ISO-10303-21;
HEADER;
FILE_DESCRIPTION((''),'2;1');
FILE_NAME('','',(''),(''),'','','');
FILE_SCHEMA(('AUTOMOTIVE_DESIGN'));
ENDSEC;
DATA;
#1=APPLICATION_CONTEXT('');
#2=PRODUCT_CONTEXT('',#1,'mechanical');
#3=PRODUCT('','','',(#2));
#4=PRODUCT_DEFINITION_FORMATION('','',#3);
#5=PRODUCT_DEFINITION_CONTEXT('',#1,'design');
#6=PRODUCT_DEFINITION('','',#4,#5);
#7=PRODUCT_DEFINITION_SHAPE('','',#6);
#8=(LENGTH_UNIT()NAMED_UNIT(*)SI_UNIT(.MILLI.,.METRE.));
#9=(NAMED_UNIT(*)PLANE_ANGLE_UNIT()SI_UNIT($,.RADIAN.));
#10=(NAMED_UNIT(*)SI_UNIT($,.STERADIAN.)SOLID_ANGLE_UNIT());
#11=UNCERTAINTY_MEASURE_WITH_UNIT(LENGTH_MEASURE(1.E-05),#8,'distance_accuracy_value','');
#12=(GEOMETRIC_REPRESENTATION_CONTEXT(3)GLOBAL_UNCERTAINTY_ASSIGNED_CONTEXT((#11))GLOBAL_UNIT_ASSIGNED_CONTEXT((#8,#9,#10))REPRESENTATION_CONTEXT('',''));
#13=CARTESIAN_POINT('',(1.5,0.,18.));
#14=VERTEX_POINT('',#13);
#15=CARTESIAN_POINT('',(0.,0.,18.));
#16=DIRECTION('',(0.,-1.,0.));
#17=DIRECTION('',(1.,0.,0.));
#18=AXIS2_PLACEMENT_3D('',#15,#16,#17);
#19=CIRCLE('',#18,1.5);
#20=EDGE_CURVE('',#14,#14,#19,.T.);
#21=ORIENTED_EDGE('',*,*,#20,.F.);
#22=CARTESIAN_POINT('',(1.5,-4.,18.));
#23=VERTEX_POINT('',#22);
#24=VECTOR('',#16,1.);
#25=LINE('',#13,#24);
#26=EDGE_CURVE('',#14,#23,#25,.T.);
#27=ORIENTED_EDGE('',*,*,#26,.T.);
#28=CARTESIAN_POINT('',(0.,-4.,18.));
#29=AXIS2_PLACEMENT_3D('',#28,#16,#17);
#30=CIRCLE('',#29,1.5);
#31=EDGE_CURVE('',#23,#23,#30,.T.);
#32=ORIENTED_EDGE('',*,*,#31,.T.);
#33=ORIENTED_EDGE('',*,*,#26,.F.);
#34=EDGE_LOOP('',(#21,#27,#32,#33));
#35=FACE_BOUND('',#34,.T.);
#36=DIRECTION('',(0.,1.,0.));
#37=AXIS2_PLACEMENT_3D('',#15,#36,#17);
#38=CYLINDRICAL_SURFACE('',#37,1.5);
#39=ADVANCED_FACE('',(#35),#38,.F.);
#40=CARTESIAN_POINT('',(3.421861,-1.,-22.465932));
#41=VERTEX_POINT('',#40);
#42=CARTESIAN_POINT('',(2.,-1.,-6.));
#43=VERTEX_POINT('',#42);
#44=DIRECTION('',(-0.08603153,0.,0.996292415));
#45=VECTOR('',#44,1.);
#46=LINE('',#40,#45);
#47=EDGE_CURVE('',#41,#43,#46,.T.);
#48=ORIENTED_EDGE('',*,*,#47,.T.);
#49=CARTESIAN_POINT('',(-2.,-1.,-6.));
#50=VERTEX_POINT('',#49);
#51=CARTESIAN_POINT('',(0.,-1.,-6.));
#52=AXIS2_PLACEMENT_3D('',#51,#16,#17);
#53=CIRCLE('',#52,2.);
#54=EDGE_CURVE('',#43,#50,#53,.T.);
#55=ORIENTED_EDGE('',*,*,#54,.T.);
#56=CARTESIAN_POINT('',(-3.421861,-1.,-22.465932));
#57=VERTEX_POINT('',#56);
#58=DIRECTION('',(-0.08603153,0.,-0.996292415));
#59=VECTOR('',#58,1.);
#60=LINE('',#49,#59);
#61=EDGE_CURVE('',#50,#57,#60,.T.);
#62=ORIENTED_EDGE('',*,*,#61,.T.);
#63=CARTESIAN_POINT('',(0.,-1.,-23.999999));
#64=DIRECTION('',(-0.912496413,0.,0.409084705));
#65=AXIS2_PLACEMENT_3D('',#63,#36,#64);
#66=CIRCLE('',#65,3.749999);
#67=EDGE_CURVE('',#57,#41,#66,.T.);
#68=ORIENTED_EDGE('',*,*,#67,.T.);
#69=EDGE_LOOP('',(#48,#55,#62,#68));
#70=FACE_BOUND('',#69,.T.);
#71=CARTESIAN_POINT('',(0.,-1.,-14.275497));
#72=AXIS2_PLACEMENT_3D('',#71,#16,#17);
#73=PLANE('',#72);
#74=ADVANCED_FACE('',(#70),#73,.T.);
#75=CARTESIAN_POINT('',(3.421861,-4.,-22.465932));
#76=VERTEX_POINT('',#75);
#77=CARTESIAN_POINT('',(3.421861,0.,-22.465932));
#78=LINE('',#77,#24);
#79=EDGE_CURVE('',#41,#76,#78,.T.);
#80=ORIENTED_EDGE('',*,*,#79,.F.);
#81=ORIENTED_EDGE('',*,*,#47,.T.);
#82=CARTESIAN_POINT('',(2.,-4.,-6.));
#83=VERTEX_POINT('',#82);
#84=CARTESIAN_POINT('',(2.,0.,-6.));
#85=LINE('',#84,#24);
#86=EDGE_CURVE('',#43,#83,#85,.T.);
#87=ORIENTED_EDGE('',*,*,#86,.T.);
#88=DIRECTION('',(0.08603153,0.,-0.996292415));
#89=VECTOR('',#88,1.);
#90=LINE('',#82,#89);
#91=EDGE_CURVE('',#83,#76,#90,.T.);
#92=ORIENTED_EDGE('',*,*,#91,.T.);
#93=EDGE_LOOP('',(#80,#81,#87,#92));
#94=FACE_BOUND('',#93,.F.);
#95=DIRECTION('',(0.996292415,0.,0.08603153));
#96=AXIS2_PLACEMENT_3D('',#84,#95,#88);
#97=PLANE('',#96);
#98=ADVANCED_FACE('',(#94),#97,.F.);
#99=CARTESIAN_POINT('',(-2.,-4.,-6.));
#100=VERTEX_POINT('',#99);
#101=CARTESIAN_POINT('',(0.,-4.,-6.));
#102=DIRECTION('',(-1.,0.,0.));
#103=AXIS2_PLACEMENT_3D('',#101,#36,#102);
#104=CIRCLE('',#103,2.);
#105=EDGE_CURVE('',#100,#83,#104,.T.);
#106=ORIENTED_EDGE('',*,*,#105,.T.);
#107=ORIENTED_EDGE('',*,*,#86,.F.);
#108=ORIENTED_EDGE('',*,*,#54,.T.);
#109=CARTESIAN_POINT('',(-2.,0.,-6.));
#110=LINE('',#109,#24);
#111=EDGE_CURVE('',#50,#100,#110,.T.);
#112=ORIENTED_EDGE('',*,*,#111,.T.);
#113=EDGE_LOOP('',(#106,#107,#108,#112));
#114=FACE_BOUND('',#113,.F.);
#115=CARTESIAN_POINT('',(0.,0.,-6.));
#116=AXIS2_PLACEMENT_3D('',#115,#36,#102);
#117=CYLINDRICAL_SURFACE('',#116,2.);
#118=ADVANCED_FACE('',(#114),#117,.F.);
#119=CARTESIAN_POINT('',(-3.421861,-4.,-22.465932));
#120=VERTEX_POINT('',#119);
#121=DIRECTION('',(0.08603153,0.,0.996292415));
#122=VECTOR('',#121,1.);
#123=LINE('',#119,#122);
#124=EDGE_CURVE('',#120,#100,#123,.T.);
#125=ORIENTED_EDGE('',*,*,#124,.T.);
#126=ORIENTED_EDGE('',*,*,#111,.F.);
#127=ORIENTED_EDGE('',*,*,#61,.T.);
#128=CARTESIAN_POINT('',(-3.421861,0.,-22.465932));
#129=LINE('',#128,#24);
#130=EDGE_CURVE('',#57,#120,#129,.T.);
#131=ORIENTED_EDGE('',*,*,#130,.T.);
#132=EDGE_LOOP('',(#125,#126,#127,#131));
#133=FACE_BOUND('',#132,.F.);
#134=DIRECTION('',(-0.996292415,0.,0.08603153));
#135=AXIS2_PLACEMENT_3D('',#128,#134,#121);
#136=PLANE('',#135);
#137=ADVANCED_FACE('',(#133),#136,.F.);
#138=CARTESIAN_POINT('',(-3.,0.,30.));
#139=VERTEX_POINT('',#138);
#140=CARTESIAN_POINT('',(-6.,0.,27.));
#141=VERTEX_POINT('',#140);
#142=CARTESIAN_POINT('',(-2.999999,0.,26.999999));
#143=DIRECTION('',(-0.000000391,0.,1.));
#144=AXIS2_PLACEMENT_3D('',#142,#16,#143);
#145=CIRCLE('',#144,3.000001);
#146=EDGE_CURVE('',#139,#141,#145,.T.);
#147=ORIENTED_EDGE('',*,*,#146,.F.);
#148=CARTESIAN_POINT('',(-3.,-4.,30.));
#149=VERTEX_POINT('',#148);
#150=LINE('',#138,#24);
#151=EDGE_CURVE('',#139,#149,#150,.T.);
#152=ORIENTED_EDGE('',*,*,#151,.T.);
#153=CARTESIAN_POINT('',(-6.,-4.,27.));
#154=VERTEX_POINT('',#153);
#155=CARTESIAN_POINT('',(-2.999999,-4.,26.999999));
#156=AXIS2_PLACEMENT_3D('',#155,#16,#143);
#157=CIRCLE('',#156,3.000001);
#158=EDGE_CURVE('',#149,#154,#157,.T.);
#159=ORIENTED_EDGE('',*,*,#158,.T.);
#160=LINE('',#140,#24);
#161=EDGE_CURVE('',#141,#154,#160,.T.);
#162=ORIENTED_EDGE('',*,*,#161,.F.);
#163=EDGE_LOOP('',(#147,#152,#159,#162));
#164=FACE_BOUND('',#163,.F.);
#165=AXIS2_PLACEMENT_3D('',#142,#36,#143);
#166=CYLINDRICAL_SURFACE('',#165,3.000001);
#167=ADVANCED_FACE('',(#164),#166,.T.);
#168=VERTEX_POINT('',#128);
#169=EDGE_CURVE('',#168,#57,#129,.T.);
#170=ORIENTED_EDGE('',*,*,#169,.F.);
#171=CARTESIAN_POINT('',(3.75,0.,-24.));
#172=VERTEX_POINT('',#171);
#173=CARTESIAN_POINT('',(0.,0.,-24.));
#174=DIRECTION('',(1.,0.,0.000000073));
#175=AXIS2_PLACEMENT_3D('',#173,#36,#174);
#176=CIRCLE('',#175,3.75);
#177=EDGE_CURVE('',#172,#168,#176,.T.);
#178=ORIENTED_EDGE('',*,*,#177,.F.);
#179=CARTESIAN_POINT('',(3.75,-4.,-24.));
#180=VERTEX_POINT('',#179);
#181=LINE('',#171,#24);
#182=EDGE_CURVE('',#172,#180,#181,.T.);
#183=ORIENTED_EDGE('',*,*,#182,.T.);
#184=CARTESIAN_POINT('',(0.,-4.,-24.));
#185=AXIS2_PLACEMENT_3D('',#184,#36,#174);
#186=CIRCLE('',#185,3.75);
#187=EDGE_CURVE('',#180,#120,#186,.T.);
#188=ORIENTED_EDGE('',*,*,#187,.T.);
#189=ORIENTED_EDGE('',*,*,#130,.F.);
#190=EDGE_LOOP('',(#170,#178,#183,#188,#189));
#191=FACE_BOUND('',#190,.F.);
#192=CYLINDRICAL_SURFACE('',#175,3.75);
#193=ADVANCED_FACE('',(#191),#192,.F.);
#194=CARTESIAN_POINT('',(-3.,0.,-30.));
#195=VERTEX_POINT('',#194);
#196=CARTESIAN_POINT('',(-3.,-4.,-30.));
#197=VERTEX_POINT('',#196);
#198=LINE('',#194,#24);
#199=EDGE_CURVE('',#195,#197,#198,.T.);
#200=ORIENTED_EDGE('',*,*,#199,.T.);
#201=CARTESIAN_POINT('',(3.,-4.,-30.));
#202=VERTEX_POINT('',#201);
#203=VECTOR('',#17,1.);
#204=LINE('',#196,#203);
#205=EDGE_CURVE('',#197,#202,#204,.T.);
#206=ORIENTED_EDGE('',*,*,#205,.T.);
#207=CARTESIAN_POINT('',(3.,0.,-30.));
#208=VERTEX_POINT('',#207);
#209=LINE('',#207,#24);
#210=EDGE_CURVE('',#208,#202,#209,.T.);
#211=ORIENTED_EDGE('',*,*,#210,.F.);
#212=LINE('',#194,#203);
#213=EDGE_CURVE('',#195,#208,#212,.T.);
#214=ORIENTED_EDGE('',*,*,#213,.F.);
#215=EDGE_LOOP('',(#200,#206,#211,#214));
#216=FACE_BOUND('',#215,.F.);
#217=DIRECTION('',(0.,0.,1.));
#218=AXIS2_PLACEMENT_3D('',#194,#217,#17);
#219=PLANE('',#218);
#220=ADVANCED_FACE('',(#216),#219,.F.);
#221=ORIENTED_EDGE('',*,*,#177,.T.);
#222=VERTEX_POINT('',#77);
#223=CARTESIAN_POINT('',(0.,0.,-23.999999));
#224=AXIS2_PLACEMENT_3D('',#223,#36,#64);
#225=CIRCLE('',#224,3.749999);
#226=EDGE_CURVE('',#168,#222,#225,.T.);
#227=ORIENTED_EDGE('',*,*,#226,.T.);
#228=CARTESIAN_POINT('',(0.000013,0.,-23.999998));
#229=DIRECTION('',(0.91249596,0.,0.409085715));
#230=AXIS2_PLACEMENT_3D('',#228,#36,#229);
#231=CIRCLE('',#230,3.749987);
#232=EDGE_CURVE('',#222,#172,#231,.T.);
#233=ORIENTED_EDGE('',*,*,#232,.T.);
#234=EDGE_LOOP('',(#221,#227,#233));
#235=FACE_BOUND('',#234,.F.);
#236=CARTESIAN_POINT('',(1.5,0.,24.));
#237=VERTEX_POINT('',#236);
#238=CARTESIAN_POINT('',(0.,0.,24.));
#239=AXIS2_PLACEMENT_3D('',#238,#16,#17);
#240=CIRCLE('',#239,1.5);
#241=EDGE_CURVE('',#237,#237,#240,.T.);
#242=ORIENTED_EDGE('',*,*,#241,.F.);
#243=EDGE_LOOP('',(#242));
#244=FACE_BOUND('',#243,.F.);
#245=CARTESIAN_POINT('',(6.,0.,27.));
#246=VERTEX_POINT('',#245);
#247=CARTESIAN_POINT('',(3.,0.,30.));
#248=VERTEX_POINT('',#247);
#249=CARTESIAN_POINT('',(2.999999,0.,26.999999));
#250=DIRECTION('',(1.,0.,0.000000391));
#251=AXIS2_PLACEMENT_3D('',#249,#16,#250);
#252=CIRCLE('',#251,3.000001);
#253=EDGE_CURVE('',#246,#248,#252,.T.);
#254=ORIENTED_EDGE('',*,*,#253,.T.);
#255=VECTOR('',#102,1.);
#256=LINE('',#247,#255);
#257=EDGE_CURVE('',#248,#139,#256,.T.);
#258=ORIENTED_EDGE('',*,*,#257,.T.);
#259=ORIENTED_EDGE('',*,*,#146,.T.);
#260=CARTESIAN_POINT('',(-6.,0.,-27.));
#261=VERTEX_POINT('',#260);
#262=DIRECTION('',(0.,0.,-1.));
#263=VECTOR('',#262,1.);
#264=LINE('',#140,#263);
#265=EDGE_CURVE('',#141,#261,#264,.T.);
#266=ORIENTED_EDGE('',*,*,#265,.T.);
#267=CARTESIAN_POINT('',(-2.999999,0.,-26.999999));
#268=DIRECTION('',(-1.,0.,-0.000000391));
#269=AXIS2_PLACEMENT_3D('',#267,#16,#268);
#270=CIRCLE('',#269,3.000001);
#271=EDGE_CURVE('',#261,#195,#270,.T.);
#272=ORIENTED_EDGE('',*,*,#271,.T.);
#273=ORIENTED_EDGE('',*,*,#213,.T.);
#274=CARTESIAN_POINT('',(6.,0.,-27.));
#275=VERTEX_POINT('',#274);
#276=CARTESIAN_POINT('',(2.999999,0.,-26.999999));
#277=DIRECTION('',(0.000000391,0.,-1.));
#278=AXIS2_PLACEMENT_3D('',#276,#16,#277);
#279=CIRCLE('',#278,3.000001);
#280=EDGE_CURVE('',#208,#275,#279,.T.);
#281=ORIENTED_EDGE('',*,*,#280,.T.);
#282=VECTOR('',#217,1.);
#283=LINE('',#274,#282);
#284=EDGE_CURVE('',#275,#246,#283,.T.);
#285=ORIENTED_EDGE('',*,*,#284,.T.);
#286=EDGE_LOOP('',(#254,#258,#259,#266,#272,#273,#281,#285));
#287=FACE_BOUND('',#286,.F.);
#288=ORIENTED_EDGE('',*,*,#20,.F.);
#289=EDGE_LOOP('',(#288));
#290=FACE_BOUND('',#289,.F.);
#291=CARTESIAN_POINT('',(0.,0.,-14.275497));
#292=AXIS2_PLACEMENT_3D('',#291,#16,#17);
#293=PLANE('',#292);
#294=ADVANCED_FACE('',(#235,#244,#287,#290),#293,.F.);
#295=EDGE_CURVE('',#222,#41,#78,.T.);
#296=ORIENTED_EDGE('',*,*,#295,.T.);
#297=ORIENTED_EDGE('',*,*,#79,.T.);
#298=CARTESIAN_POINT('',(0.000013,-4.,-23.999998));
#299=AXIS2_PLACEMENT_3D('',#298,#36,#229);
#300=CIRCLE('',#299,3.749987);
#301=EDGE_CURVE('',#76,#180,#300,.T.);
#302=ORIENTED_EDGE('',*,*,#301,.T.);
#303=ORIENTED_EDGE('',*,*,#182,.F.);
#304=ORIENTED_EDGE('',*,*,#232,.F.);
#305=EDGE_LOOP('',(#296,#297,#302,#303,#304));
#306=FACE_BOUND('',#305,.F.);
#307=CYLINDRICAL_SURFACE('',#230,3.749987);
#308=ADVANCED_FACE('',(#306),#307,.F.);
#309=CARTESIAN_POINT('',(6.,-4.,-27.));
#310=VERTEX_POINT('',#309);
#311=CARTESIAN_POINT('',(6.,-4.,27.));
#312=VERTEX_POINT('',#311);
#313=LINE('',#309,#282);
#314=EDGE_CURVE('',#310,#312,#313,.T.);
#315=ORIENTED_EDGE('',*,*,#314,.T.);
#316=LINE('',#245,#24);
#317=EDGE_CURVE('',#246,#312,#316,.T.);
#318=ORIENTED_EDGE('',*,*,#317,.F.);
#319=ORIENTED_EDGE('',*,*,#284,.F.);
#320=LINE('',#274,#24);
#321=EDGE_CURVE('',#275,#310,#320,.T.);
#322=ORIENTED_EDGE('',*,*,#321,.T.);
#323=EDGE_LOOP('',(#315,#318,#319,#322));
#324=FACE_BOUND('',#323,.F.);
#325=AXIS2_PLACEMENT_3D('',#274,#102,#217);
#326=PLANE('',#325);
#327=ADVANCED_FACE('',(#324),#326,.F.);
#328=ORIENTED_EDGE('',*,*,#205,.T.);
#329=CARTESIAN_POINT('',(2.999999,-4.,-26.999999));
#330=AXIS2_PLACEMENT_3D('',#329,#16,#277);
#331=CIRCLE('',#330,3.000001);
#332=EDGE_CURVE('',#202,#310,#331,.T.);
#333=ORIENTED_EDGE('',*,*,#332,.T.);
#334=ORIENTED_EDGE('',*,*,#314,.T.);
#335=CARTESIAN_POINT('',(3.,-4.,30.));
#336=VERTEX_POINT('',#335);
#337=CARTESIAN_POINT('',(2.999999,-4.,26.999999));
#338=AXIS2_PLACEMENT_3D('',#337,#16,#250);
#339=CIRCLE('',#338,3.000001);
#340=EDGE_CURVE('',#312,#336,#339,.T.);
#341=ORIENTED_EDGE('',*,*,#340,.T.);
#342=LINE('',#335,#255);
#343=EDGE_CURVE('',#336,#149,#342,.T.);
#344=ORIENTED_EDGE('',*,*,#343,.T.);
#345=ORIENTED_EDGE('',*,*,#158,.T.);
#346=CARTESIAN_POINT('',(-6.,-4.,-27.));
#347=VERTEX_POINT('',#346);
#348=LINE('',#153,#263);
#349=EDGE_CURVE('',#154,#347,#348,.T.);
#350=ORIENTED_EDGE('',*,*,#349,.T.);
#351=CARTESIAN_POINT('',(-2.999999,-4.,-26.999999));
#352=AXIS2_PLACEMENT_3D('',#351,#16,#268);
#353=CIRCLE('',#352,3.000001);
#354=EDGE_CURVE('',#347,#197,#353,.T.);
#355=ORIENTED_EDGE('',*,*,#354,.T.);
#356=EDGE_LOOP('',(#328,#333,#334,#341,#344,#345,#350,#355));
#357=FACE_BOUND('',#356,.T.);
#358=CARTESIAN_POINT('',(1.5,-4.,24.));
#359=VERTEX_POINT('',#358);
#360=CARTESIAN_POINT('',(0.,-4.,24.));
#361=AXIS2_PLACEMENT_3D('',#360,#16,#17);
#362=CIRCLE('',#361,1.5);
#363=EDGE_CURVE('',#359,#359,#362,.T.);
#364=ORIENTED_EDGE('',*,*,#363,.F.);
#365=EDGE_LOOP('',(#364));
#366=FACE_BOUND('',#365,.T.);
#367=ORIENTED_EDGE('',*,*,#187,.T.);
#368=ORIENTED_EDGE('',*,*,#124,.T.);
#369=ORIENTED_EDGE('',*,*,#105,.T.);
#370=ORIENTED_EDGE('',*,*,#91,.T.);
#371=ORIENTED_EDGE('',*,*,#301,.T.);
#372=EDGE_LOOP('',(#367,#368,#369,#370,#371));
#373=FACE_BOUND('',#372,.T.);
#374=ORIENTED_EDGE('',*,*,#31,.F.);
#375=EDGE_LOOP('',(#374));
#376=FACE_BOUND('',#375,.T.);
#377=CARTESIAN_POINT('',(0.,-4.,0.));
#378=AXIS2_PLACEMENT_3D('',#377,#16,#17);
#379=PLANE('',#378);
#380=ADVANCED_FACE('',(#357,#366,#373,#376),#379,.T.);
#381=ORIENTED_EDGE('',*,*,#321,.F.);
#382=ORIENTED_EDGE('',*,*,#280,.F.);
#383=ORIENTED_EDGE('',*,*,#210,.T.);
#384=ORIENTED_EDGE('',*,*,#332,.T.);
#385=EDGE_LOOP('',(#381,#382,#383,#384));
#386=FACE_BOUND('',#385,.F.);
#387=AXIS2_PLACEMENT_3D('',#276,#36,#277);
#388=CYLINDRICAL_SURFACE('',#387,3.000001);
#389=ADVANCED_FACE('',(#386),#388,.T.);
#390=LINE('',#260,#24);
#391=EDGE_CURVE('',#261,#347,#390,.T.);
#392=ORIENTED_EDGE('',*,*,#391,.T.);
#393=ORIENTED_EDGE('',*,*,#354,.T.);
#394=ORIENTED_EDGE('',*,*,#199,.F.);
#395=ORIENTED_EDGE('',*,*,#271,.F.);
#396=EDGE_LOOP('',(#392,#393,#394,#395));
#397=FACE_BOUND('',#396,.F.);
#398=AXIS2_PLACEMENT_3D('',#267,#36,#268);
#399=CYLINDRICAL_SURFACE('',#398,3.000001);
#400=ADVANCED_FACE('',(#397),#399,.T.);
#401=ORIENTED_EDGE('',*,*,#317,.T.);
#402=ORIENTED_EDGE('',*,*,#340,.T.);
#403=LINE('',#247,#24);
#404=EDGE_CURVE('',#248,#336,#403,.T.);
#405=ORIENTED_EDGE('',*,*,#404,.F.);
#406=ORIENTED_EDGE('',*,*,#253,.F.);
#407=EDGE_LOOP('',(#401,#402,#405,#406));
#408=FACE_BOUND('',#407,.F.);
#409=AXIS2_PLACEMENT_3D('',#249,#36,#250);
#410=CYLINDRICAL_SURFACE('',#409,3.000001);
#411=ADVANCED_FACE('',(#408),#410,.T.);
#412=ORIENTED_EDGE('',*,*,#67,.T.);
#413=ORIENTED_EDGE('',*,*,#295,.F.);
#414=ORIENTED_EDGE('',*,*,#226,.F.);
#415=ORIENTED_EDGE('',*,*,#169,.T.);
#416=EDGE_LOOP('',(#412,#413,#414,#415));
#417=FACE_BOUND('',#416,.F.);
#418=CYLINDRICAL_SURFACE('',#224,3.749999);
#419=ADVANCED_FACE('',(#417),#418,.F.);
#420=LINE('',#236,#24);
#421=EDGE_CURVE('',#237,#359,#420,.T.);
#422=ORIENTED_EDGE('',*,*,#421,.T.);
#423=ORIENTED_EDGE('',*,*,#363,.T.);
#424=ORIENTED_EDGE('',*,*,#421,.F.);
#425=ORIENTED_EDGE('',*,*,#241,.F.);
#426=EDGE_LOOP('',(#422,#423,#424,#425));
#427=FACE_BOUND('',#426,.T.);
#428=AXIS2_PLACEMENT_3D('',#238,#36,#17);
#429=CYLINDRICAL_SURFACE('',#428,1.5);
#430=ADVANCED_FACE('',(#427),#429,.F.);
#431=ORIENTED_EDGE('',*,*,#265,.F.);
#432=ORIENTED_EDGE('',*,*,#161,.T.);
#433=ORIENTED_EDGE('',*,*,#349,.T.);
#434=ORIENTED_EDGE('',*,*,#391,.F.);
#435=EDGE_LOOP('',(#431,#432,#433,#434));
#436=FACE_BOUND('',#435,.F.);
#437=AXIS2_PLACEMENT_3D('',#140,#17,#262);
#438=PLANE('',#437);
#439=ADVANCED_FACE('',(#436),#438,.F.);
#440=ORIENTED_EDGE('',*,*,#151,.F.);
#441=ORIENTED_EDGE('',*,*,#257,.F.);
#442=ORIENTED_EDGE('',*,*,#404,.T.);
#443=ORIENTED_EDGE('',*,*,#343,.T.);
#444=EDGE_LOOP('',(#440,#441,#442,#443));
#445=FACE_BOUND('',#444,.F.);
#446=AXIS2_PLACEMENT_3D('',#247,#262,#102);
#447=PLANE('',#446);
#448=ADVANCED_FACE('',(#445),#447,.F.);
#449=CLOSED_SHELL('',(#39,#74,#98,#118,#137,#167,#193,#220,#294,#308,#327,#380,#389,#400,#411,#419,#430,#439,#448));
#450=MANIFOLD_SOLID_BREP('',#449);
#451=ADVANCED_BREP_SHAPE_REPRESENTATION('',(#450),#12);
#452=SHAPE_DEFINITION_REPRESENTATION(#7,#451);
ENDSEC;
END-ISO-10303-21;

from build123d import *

# Parameters (mm, degrees)
F0_R     = 1.5
F1_DEPTH = 4
F2_DEPTH = 1


with BuildPart() as f1:
    # F0 (on Front) → F1 (new body)
    with BuildSketch(Plane.XZ):
        with BuildLine():
            Line((-3, -30), (3, -30))
            ThreePointArc((3, -30), (5.12132, -29.12132), (6, -27))
            Line((6, -27), (6, 27))
            ThreePointArc((6, 27), (5.12132, 29.12132), (3, 30))
            Line((3, 30), (-3, 30))
            ThreePointArc((-3, 30), (-5.12132, 29.12132), (-6, 27))
            Line((-6, 27), (-6, -27))
            ThreePointArc((-6, -27), (-5.12132, -29.12132), (-3, -30))
        make_face()
        with BuildLine():
            ThreePointArc((3.75, -24), (-0.784385, -27.667048), (-3.421861, -22.465932))
            Line((-3.421861, -22.465932), (-2, -6))
            ThreePointArc((-2, -6), (0, -4), (2, -6))
            Line((2, -6), (3.421861, -22.465932))
            ThreePointArc((3.421861, -22.465932), (3.667048, -23.215615), (3.75, -24))
        make_face(mode=Mode.SUBTRACT)
        with Locations((0, 18)):
            Circle(F0_R, mode=Mode.SUBTRACT)
        with Locations((0, 24)):
            Circle(F0_R, mode=Mode.SUBTRACT)
    extrude(amount=F1_DEPTH)

    # F0 (on Front) → F2 (join)
    with BuildSketch(Plane.XZ):
        with BuildLine():
            Line((-2, -6), (-3.421861, -22.465932))
            ThreePointArc((-3.421861, -22.465932), (0, -20.25), (3.421861, -22.465932))
            Line((3.421861, -22.465932), (2, -6))
            ThreePointArc((2, -6), (0, -4), (-2, -6))
        make_face()
    extrude(amount=F2_DEPTH)


solid = f1.part
